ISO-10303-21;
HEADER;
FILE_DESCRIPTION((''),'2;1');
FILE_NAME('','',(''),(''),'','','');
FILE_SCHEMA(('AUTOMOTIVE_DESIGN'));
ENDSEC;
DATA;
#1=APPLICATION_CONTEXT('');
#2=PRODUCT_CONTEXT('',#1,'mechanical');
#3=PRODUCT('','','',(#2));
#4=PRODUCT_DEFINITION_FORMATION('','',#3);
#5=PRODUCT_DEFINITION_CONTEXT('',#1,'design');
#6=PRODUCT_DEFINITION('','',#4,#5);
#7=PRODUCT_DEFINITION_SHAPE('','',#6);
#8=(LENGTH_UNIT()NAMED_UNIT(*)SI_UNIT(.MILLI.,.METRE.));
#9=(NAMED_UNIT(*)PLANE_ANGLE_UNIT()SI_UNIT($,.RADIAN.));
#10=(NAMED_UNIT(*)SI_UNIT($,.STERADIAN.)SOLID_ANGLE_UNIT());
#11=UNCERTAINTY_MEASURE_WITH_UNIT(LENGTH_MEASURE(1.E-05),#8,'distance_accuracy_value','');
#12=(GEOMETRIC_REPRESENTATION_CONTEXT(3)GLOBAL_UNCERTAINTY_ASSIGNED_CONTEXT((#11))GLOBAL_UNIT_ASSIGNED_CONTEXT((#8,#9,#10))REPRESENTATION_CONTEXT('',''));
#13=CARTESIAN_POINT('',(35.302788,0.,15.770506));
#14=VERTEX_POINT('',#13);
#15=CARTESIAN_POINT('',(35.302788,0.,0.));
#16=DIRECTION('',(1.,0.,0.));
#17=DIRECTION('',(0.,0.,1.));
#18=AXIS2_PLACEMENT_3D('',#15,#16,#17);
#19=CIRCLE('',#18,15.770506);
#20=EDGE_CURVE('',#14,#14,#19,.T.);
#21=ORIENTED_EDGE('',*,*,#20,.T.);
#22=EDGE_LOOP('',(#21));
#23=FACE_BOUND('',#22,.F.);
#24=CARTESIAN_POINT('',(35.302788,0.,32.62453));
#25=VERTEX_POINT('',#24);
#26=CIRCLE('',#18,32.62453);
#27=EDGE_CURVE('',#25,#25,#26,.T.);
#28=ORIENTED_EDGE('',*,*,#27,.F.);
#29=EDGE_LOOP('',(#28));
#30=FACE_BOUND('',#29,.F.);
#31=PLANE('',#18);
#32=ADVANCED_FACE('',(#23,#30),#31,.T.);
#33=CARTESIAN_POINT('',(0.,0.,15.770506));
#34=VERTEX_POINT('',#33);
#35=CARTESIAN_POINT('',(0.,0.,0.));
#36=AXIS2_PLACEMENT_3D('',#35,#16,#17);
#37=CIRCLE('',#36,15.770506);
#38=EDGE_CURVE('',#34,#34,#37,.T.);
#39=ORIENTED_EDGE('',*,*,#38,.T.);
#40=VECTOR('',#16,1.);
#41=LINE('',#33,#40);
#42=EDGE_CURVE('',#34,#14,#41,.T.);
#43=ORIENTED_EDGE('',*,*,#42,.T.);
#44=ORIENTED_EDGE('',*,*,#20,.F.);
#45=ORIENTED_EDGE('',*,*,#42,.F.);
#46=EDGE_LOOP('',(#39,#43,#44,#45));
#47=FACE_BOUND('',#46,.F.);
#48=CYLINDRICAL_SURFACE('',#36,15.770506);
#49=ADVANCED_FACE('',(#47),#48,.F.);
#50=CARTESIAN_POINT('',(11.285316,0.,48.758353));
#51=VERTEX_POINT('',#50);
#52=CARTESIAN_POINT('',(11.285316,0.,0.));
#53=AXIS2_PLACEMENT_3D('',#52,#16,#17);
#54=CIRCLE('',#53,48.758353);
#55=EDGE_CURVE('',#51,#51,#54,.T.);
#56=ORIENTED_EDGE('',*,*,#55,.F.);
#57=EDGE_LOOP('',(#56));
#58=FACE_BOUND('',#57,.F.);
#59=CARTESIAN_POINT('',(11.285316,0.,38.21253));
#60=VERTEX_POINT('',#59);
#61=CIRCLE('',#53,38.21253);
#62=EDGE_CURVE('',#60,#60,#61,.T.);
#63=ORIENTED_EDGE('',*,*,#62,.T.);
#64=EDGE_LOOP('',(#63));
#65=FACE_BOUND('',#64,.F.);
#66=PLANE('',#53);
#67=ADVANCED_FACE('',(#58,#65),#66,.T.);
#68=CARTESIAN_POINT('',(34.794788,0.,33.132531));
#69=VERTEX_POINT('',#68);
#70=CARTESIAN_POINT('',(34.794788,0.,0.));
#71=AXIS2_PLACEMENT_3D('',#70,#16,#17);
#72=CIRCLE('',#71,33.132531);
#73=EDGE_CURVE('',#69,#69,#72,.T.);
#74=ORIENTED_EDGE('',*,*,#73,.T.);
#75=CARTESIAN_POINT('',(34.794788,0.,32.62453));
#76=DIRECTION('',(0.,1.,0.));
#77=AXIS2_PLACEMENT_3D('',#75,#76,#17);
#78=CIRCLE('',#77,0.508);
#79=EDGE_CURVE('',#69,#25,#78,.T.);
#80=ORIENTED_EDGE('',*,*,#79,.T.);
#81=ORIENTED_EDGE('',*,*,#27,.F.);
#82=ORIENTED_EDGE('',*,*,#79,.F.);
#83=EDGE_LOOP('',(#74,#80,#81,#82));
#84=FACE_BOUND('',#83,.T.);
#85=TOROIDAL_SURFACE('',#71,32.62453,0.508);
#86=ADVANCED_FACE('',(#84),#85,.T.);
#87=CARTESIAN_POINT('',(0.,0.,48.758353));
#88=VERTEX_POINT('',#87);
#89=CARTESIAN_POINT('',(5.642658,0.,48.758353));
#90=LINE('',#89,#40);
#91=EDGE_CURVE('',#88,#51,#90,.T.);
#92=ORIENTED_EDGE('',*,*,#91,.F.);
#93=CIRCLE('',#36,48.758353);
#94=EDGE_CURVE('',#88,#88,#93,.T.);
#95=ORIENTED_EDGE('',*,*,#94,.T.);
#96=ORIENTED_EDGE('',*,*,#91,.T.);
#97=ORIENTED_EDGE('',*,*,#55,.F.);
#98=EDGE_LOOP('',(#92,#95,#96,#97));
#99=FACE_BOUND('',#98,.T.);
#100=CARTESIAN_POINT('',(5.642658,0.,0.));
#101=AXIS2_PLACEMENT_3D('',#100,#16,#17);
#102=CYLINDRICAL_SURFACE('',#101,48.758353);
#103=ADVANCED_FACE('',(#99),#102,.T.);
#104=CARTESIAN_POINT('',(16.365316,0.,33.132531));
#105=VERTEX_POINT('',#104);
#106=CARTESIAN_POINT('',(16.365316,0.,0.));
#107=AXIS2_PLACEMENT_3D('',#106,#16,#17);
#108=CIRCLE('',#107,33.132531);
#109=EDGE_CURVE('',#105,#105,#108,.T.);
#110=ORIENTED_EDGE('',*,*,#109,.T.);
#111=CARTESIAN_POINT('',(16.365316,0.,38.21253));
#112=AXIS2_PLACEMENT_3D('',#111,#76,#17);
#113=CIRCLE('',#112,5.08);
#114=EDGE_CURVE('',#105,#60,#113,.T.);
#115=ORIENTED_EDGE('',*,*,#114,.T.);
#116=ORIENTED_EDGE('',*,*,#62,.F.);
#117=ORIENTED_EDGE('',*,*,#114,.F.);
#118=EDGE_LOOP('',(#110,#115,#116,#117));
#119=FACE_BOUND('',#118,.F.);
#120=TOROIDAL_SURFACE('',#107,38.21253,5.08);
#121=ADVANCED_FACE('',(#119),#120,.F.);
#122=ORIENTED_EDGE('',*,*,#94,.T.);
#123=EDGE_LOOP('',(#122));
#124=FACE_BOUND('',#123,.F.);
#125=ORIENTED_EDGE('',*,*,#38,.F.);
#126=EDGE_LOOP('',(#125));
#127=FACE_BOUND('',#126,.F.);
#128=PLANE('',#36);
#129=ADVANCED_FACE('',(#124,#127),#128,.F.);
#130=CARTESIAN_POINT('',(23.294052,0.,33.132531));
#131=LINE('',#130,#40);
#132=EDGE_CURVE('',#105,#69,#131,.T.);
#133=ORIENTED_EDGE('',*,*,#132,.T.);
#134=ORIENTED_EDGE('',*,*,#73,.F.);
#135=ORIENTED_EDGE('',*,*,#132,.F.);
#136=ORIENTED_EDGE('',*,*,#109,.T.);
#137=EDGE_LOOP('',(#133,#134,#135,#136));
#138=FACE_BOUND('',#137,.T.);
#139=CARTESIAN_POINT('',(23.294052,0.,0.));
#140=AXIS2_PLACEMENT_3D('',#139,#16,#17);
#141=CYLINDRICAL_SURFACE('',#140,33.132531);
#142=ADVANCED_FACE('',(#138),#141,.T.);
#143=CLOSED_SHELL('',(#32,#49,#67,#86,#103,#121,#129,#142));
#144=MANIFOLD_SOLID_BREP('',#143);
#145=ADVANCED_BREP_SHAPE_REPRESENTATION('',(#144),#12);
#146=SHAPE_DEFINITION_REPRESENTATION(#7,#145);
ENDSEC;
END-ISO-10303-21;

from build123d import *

# Parameters (mm, degrees)
F0_W   = 24.017472
F0_H   = 17.362025
F0_W_2 = 11.285316
F0_H_2 = 15.625823
F2_R   = 5.08
F3_R   = 0.508


with BuildPart() as f1:
    # F0 (on Front) → F1 (revolve)
    with BuildSketch(Plane.XZ):
        with Locations((23.294052, 24.451518)):
            Rectangle(F0_W, F0_H)
        with Locations((5.642658, 40.945442)):
            Rectangle(F0_W_2, F0_H_2)
        with Locations((5.642658, 24.451518)):
            Rectangle(F0_W_2, F0_H)
    revolve(axis=Axis((42.247593, 0, 0), (1, 0, 0)))

    # F2
    f2_edges = [f1.edges().sort_by_distance(p)[0] for p in [
        (11.285316, 0, -33.132531),
    ]]
    fillet(f2_edges, radius=F2_R)

    # F3
    f3_edges = [f1.edges().sort_by_distance(p)[0] for p in [
        (35.302788, 0, -33.132531),
    ]]
    fillet(f3_edges, radius=F3_R)


solid = f1.part
